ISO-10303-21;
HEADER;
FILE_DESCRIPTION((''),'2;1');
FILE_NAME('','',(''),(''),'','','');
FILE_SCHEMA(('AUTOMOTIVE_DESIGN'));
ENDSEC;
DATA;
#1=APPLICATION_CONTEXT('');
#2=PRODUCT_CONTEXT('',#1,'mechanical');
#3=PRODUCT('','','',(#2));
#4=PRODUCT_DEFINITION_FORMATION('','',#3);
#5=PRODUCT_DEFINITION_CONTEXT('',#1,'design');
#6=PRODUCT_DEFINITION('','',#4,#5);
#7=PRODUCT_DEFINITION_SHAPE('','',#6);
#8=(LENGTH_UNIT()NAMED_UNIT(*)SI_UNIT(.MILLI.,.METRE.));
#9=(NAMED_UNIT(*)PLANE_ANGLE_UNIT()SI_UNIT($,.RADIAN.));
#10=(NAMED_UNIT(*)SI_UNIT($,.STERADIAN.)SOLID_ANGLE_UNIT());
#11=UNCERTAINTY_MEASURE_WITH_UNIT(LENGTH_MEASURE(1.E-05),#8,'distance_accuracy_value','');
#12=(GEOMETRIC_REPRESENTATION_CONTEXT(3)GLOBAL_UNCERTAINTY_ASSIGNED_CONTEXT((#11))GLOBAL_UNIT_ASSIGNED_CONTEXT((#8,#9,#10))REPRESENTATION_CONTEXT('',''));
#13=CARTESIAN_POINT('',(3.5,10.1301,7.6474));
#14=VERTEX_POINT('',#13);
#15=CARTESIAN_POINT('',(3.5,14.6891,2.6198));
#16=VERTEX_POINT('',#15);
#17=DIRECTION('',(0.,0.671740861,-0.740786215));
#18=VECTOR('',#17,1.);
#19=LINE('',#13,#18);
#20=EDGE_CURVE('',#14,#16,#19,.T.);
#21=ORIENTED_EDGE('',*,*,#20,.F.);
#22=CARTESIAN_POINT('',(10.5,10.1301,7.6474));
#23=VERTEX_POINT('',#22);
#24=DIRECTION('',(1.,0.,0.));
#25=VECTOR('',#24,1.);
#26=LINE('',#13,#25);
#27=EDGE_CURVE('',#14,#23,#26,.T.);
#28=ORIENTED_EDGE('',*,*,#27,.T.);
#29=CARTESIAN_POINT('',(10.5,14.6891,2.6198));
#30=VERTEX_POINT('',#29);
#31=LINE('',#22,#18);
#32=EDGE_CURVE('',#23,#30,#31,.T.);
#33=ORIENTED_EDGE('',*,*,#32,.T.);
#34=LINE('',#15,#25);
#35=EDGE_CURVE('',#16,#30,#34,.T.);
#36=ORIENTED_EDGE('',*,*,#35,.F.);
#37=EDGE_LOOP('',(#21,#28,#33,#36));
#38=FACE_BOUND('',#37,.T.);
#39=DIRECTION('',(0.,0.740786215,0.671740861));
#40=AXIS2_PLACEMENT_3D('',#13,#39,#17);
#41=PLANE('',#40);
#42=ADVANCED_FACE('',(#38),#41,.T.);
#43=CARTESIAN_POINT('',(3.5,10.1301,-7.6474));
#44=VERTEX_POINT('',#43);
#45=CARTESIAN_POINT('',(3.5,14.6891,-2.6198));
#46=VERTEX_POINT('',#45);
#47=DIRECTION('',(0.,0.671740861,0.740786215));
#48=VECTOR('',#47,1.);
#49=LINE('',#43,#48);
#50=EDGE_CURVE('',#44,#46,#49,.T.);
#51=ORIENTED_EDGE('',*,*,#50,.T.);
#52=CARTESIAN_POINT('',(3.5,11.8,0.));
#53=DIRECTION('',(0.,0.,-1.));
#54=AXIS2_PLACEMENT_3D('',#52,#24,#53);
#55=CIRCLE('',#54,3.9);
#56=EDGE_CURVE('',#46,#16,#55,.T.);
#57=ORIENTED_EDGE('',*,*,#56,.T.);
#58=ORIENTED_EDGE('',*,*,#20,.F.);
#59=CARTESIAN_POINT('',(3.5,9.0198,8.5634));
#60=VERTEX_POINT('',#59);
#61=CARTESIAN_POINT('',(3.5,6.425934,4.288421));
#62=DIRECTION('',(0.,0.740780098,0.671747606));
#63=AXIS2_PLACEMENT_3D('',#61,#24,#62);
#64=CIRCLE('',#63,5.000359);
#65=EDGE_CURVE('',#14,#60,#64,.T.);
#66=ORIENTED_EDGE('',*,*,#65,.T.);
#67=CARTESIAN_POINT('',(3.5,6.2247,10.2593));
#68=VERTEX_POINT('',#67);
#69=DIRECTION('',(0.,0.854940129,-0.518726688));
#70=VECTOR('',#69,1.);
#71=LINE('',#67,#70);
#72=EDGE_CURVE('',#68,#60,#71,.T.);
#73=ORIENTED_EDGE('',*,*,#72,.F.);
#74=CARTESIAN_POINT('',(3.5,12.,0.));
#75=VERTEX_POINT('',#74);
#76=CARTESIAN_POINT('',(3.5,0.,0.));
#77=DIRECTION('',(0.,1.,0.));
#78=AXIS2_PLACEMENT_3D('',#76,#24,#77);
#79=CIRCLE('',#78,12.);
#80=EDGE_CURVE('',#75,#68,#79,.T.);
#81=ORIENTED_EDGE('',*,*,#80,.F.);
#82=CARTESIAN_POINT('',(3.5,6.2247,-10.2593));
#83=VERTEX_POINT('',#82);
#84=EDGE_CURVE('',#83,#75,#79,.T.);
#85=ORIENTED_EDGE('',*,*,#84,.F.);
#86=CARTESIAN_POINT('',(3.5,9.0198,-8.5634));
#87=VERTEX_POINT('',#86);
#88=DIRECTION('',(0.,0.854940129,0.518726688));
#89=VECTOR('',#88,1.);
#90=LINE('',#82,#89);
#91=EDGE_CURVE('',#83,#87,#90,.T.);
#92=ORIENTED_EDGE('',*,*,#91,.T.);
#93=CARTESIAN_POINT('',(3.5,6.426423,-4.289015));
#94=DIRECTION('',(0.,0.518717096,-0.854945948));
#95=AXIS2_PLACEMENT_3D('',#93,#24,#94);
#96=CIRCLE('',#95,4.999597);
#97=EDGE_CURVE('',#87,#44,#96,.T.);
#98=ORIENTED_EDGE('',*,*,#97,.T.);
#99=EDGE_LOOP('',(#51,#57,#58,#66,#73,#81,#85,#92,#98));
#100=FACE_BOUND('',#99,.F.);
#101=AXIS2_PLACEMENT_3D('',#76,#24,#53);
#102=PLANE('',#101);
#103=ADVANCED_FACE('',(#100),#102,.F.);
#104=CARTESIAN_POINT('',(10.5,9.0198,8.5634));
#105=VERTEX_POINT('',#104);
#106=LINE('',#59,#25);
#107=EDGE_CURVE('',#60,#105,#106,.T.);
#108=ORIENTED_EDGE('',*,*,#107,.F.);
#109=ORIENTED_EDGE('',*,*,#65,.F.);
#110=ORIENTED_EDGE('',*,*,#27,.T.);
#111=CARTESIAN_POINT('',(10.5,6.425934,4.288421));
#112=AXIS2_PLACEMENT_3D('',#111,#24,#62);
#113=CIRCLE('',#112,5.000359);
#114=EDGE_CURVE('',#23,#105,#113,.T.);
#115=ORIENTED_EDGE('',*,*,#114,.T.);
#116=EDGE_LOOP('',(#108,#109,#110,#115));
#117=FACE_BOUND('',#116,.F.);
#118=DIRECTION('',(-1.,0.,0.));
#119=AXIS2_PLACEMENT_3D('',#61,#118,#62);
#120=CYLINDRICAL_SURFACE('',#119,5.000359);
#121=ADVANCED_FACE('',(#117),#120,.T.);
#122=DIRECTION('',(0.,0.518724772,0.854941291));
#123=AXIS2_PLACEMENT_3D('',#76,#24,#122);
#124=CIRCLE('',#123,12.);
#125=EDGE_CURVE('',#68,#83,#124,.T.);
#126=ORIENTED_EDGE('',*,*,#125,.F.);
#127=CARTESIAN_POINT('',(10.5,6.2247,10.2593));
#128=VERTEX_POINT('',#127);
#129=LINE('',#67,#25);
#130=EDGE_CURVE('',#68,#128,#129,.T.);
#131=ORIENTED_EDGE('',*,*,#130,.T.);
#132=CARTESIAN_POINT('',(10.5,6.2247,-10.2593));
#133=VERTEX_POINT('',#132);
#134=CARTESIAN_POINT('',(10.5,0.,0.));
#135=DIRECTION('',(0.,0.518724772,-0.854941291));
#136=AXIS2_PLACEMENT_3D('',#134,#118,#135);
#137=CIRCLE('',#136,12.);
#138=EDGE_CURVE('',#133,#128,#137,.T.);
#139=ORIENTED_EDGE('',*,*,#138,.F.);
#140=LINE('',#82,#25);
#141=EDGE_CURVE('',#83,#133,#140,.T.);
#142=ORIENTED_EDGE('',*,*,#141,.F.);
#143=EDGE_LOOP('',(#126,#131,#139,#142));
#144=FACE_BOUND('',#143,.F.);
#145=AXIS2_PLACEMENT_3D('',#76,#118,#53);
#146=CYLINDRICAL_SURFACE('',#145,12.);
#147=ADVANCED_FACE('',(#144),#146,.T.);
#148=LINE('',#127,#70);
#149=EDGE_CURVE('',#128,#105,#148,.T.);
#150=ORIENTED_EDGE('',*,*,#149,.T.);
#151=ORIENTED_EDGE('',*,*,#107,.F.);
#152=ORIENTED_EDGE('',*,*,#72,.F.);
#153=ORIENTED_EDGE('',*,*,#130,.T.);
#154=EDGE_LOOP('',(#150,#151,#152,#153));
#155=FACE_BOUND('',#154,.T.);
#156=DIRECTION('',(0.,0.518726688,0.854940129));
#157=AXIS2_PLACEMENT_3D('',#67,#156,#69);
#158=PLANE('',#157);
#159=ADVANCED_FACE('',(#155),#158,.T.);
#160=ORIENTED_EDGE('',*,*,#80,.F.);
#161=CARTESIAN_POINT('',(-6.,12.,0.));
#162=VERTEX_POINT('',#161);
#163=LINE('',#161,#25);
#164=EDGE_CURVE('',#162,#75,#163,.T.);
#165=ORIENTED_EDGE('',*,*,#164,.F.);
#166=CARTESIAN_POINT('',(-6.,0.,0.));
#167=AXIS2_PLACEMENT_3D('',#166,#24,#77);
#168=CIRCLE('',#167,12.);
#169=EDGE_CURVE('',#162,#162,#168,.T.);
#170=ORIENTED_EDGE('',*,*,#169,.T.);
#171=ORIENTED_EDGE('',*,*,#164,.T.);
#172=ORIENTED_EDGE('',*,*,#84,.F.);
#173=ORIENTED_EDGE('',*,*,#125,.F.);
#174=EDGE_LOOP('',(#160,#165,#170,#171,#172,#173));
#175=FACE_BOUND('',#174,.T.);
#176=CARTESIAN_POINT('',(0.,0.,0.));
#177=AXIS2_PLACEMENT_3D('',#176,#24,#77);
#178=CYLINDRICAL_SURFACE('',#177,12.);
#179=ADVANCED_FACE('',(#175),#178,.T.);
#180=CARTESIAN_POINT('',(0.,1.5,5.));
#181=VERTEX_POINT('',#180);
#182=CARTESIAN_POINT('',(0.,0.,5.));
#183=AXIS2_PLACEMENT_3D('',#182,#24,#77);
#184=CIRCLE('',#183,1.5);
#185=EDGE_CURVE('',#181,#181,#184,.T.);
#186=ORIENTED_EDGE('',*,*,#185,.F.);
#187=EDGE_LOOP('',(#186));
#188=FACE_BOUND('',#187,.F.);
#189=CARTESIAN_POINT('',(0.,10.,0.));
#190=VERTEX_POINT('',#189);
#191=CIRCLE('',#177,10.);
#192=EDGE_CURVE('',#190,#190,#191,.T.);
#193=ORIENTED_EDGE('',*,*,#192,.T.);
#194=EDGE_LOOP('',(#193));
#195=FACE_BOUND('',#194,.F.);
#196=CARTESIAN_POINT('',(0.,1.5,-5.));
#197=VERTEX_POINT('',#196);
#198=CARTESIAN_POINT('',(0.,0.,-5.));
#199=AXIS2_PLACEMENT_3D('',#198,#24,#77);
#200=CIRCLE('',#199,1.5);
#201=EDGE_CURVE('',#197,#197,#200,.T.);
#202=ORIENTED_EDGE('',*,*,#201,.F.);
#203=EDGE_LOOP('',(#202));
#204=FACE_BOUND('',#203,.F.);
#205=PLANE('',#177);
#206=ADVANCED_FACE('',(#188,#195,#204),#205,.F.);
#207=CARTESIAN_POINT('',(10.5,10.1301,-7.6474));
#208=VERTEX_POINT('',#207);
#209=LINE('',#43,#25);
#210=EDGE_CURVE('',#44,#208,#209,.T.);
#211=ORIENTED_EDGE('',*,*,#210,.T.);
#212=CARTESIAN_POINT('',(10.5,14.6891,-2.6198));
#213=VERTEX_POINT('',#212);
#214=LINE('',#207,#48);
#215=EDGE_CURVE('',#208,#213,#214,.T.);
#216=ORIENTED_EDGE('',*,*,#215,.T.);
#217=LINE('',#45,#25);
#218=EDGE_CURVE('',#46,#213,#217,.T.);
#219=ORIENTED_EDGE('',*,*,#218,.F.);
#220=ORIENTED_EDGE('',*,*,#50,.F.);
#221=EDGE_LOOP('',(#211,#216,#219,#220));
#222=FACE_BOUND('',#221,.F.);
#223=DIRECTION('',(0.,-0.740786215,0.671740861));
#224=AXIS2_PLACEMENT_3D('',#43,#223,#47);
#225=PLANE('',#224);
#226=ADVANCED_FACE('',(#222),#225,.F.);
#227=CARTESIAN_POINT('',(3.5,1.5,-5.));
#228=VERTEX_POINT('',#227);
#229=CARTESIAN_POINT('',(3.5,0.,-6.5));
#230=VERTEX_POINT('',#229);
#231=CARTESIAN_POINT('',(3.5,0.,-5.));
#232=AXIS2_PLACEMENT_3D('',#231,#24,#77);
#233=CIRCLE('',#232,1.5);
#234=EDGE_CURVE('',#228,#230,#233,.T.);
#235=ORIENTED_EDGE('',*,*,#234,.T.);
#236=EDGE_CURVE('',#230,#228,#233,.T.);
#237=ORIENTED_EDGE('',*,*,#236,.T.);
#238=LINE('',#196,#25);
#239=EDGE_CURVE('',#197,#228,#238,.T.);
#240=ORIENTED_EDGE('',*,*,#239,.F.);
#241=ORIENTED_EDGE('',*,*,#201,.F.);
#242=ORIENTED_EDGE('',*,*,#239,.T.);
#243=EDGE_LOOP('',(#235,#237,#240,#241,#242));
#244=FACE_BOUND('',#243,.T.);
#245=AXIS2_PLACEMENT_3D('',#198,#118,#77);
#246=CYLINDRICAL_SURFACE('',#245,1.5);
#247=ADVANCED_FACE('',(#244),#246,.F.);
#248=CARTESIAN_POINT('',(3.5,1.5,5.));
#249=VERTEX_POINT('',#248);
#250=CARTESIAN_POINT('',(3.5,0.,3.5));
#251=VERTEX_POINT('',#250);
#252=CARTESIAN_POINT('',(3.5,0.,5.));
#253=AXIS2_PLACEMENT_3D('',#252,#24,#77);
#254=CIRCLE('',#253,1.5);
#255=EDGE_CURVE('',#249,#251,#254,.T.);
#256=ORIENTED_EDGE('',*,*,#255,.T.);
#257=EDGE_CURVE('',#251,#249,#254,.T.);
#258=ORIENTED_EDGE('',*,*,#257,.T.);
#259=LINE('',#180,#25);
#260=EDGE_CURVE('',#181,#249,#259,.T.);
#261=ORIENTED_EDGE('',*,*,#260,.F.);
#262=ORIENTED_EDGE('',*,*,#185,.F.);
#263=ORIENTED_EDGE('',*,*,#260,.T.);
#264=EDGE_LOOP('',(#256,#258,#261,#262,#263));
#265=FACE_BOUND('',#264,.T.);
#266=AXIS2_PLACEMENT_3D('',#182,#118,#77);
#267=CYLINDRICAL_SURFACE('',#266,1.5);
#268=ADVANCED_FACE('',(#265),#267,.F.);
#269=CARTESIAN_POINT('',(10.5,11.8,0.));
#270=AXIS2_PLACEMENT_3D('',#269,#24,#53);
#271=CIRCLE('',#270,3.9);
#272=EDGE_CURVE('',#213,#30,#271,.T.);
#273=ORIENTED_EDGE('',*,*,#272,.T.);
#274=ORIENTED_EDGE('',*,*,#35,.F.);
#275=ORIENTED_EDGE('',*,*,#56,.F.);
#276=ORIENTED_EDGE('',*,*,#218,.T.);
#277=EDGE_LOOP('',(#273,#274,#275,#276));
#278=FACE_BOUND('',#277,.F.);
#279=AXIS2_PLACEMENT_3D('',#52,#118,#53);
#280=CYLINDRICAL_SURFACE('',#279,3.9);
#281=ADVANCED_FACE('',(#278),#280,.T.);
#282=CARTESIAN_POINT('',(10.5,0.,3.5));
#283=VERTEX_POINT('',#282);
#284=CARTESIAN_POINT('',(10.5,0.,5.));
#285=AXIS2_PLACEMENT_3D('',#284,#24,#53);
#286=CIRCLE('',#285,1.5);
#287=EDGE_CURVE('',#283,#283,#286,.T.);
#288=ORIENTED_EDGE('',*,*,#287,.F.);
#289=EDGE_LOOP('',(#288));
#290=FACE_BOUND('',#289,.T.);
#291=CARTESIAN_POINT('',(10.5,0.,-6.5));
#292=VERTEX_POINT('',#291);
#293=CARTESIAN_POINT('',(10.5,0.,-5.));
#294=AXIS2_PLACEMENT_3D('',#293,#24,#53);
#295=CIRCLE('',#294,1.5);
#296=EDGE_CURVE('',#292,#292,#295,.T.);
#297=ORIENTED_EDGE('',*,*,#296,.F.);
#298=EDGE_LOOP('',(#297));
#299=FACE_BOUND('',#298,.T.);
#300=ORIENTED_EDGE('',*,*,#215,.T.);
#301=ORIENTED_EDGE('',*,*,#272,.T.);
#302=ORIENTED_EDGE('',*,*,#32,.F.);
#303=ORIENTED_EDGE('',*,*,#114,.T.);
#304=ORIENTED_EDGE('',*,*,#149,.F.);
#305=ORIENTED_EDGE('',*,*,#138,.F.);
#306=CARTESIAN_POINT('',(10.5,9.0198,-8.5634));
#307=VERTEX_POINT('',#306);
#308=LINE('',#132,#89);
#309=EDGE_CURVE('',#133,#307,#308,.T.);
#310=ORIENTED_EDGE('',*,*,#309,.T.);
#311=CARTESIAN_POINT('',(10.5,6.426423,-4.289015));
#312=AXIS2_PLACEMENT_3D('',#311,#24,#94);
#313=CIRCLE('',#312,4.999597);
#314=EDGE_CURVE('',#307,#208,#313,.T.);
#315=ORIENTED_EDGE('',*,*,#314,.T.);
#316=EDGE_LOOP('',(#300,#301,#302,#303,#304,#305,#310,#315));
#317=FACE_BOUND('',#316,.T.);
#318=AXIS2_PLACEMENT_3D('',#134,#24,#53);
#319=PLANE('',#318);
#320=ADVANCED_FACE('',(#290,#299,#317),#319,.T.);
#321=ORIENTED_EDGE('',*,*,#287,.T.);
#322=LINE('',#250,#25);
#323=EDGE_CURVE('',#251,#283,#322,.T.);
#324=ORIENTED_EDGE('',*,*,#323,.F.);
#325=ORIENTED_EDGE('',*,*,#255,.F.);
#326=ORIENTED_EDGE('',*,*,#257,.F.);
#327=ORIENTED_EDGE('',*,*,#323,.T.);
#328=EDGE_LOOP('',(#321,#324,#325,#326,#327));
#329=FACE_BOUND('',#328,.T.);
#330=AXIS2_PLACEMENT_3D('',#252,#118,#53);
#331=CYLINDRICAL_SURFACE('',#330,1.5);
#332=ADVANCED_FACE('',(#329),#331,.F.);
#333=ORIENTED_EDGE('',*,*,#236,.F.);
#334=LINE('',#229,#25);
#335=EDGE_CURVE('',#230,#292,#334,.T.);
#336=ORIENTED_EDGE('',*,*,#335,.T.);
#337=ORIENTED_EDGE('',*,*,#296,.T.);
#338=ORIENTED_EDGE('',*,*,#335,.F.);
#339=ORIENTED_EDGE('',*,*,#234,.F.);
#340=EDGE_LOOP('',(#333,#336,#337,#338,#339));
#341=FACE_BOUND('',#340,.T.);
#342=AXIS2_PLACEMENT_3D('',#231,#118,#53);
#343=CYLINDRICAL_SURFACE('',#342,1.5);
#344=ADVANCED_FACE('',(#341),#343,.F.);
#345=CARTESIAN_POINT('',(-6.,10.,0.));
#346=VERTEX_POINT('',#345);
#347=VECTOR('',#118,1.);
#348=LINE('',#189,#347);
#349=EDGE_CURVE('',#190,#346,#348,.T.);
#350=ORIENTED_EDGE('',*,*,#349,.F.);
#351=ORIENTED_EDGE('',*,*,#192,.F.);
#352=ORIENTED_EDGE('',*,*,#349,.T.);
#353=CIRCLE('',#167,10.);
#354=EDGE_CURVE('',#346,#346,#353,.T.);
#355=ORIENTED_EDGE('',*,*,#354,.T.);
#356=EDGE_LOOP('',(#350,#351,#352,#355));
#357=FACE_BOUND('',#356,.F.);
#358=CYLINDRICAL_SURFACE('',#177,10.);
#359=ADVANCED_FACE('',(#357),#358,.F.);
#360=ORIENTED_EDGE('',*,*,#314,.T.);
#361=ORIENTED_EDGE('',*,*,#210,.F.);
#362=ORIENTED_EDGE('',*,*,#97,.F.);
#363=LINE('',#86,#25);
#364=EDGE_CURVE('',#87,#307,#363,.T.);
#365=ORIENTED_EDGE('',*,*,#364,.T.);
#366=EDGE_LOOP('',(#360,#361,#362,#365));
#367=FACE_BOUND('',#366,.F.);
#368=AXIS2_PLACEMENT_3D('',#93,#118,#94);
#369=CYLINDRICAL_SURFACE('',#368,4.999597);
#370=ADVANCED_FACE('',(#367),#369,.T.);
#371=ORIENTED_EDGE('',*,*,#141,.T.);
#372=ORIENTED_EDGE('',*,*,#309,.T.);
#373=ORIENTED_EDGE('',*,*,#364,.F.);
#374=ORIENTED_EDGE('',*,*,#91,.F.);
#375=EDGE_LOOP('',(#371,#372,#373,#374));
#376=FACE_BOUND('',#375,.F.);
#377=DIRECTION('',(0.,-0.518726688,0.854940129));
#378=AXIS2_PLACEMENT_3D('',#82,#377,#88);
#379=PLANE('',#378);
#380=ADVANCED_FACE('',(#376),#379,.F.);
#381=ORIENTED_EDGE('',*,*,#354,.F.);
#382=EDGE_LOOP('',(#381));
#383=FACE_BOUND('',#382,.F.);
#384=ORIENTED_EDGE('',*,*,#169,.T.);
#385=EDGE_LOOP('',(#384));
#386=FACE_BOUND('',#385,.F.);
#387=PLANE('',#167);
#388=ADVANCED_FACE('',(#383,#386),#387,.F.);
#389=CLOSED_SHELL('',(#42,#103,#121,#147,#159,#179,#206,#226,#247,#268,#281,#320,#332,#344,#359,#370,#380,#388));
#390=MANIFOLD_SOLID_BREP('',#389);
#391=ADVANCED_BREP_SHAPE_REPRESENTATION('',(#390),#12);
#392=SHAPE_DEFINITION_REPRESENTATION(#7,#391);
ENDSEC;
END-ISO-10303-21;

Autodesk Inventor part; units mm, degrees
ref_plane "YZ Plane" through (0, 0, 0) normal (1, 0, 0) x (0, 1, 0)
ref_plane "XZ Plane" through (0, 0, 0) normal (0, 1, 0) x (-1, 0, 0)
ref_plane "XY Plane" through (0, 0, 0) normal (0, 0, 1) x (1, 0, 0)
sketch "Sketch1" plane through (0, 0, 0) normal (1, 0, 0) x (0, 1, 0)
  circle A0 centre (0, 0) radius 10
  circle A1 centre (0, 0) radius 12
  circle A2 centre (0, 5) radius 1.5
  circle A3 centre (0, -5) radius 1.5
  line L0 (0, 5) -> (0, -5) construction
  dimension "d0" = 20
  dimension "d1" = 2
  dimension "d2" = 3
  dimension "d3" = 10
extrude "Extrusion1" add sketch "Sketch1" along normal blind 3.5 contours A0 | A1
extrude "Extrusion2" add sketch "Sketch1" against normal blind 6 contours A1
sketch "Sketch2" plane through (3.5, 0, 0) normal (1, 0, 0) x (0, 0, -1)
  circle A0 centre (0, 0) radius 12 projected
  circle A1 centre (-5, 0) radius 1.5 projected
  circle A2 centre (5, 0) radius 1.5 projected
  circle A3 centre (0, 11.8) radius 3.9
  circle A4 centre (0, 0) radius 12 projected
  line L0 (-10.2593, 6.2247) -> (-8.5634, 9.0198)
  line L1 (-7.6474, 10.1301) -> (-2.6198, 14.6891)
  arc A5 (-7.6474, 10.1301) -> (-8.5634, 9.0198) centre (-4.2887, 6.4262) ccw
  line L2 (0, 0) -> (0, 4.7438)
  line L3 (10.2593, 6.2247) -> (8.5634, 9.0198)
  line L4 (7.6474, 10.1301) -> (2.6198, 14.6891)
  arc A6 (8.5634, 9.0198) -> (7.6474, 10.1301) centre (4.2887, 6.4262) ccw
  point P0 (0.4335, 15.6758)
  point P1 (10.2649, 6.2155)
  point P2 (-10.2593, 6.2247)
  point P3 (10.2593, 6.2247)
  point P4 (-3.8748, 11.3572)
  point P5 (3.8748, 11.3572)
  dimension "d10" = 5
  dimension "d11" = 11.8
  dimension "d12" = 7.8
extrude "Extrusion3" add sketch "Sketch2" along normal blind 7
properties part number "CIRCULAR_FIN_DE_CARRERA" material "Steel, Mild, Welded"
